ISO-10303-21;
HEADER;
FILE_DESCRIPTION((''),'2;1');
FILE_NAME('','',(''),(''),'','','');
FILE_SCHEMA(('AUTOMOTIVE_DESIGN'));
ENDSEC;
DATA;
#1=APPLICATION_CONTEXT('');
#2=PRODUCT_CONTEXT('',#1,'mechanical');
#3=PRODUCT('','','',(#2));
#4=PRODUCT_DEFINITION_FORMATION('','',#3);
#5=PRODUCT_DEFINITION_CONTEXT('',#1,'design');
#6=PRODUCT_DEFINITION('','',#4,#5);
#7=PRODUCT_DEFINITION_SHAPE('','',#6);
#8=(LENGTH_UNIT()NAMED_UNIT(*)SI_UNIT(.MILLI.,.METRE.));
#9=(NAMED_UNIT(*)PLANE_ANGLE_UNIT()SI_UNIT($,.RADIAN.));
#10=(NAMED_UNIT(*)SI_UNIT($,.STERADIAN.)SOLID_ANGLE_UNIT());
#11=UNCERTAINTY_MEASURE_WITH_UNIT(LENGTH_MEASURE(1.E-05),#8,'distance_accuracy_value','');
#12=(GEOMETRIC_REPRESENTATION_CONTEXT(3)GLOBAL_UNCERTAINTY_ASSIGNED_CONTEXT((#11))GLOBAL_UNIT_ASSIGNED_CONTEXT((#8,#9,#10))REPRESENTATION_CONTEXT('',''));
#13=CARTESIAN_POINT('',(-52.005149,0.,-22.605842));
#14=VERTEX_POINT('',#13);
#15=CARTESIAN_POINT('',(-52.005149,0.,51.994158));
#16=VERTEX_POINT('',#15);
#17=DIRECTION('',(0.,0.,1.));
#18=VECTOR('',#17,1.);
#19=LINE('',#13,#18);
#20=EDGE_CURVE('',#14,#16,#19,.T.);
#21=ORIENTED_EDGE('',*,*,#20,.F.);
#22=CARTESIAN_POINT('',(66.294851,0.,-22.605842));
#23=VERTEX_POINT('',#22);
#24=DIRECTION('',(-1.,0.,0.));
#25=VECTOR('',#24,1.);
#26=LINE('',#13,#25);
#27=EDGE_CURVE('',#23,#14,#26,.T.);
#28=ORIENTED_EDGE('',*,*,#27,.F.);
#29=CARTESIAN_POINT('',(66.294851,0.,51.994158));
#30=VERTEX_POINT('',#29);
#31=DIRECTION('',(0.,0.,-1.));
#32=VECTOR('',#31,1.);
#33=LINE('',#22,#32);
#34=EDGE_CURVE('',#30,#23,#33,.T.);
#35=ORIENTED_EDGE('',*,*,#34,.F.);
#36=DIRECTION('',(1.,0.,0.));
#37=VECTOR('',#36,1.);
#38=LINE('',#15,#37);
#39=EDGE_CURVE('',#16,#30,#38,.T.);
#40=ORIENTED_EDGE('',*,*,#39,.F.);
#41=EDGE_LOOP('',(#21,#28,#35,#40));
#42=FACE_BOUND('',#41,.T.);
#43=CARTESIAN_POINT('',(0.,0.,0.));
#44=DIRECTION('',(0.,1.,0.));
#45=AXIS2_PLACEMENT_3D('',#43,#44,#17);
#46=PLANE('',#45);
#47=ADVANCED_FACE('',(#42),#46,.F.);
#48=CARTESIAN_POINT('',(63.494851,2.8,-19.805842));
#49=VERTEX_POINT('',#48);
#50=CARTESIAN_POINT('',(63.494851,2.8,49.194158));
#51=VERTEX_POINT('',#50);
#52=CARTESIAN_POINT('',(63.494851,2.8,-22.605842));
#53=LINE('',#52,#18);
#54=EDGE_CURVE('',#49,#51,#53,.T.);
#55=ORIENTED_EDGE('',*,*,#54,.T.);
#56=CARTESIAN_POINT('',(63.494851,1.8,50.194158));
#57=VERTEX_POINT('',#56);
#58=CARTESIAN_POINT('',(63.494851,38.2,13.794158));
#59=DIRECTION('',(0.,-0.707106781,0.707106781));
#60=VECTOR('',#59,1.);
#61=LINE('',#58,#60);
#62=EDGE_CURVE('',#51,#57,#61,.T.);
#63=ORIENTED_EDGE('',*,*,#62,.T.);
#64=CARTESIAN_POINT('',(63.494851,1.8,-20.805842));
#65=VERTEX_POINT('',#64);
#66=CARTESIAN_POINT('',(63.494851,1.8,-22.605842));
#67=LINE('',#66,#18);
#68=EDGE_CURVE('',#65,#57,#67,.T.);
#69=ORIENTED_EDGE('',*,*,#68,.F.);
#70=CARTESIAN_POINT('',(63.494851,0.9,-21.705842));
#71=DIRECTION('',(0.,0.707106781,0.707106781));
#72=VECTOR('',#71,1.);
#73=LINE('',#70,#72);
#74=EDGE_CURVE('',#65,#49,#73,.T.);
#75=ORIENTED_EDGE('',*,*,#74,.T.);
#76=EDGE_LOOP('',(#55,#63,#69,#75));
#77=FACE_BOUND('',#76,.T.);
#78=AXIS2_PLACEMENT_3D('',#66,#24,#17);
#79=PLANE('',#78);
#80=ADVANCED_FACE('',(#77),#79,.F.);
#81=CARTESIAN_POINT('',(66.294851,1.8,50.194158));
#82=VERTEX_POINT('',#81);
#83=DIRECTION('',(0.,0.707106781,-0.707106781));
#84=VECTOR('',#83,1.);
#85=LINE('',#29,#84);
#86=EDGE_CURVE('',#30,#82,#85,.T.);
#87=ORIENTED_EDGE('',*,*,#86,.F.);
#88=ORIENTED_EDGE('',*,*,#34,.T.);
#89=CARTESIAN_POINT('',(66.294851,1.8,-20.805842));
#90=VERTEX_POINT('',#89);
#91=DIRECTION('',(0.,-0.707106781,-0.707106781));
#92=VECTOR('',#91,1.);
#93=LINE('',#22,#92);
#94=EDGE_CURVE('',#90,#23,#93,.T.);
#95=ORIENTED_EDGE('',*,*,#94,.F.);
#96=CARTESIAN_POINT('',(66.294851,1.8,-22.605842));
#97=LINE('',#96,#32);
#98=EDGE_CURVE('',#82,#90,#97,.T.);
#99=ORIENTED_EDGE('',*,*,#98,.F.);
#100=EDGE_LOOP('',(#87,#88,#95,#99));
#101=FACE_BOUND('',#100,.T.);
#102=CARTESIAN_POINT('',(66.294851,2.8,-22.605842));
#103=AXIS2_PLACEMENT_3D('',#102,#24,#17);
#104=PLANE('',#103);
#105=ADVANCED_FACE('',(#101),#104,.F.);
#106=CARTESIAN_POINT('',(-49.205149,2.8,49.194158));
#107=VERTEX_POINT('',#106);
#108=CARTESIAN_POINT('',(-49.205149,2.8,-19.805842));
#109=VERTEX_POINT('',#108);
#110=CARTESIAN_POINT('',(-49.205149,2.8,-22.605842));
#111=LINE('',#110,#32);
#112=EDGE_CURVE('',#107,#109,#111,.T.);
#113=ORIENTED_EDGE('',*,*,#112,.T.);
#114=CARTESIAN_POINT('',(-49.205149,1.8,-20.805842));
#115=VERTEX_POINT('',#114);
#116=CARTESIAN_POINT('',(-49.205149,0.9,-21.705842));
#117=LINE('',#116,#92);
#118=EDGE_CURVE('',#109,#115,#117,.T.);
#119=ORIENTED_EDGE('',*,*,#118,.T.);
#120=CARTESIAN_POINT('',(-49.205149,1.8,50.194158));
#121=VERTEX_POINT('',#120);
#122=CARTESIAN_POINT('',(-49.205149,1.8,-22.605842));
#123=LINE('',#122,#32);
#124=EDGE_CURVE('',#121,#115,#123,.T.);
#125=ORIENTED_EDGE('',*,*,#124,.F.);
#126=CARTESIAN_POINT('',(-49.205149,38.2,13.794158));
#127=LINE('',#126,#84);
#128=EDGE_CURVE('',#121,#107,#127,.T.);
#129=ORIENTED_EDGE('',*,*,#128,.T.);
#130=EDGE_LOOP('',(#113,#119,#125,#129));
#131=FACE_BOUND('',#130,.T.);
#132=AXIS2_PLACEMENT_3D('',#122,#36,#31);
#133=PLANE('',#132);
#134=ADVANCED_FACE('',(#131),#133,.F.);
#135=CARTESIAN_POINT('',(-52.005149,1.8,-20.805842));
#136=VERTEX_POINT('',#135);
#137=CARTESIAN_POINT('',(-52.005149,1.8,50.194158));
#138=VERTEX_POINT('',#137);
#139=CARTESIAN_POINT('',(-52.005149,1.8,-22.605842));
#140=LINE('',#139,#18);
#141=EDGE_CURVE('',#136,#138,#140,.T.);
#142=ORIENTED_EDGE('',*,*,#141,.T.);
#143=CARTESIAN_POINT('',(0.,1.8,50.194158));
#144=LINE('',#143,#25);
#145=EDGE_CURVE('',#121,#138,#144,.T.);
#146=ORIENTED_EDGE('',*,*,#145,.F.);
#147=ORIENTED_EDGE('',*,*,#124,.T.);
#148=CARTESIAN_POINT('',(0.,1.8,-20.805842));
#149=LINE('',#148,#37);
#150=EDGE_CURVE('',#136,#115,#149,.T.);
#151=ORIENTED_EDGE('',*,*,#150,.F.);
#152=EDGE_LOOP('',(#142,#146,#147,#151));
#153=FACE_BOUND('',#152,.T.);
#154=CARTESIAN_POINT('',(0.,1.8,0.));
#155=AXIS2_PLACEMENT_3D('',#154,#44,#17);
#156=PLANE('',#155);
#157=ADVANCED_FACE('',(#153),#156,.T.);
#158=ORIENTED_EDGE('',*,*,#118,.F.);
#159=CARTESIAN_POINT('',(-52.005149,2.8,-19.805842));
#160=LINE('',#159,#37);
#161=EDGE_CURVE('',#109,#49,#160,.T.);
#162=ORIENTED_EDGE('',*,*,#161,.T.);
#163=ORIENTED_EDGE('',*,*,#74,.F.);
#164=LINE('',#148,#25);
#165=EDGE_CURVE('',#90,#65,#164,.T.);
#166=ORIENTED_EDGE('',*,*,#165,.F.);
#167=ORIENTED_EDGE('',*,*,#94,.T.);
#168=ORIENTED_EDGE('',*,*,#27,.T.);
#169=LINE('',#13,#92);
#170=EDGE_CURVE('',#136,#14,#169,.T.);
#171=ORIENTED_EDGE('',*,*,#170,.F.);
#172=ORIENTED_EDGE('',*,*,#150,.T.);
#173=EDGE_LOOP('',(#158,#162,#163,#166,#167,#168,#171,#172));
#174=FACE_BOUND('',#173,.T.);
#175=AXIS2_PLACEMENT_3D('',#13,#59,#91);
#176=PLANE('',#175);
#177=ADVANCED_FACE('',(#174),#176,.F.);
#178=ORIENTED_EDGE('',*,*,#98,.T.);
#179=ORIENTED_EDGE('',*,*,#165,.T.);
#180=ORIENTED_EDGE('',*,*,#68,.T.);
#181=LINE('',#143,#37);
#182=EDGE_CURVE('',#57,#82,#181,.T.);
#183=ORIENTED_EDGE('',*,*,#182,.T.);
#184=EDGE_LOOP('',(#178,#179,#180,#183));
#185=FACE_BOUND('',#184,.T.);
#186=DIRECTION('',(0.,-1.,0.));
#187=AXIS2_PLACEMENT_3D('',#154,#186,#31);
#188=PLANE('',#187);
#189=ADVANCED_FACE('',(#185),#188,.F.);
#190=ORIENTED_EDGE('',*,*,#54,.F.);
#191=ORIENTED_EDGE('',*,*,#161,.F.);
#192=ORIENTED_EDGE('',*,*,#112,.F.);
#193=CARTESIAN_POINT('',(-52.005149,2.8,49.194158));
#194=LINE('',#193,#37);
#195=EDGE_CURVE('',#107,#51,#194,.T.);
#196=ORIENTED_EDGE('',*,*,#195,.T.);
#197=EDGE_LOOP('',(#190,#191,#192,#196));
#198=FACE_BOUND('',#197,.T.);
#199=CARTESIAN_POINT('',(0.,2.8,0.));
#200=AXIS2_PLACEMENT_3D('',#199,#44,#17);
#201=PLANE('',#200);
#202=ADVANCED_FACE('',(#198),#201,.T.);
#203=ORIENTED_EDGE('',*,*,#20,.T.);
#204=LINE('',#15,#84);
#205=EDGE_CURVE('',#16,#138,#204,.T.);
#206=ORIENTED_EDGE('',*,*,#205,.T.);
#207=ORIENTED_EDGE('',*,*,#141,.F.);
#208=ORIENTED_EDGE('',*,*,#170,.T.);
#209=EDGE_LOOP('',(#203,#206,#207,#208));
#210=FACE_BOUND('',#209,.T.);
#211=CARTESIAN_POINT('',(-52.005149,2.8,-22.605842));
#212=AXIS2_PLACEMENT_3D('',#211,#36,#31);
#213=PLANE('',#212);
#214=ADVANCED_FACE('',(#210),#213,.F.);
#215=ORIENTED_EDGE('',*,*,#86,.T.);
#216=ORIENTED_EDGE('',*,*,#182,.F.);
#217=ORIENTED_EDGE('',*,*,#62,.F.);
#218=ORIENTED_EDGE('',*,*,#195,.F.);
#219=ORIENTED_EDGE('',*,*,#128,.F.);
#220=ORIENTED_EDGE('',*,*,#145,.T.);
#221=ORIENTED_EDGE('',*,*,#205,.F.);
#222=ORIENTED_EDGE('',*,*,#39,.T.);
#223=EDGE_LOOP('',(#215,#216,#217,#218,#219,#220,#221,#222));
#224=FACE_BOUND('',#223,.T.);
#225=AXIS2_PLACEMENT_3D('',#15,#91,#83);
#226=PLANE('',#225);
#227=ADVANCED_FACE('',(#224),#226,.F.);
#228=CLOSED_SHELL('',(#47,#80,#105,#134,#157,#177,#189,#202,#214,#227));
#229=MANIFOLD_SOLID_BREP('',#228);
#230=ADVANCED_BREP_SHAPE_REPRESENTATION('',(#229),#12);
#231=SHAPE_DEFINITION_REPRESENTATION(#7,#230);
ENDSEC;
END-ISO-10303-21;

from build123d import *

# Parameters (mm, degrees)
SKETCH_1_W          = 118.3
SKETCH_1_H          = 74.6
EXTRUDE_1_DEPTH     = 2.8
SKETCH_2_W          = 2.8
SKETCH_2_H          = 74.6
CUT_EXTRUDE_1_DEPTH = 1
CUT_EXTRUDE_2_DEPTH = 130.252166362


with BuildPart() as part:
    # 草图1 → 凸台-拉伸1 (new body)
    with BuildSketch(Plane(origin=(0, 0, 0), x_dir=(1, 0, 0), z_dir=(0, 1, 0))):
        with Locations((7.144851485, -14.694158416)):
            Rectangle(SKETCH_1_W, SKETCH_1_H)
    extrude(amount=EXTRUDE_1_DEPTH)

    # 草图2 → 切除-拉伸1 (cut)
    with BuildSketch(Plane(origin=(0, 2.8, 0), x_dir=(1, 0, 0), z_dir=(0, 1, 0))):
        with Locations((64.894851485, -14.694158416)):
            Rectangle(SKETCH_2_W, SKETCH_2_H)
        with Locations((-50.605148515, -14.694158416)):
            Rectangle(SKETCH_2_W, SKETCH_2_H)
    extrude(amount=-CUT_EXTRUDE_1_DEPTH, mode=Mode.SUBTRACT)

    # 草图3 → 切除-拉伸2 (cut, through all)
    with BuildSketch(Plane(origin=(66.294851485, 0, 0), x_dir=(0, 0, -1), z_dir=(1, 0, 0))):
        Polygon((-51.994158416, 0), (-49.194158416, 2.8), (-51.994158416, 2.8), align=None)
        Polygon((22.605841584, 0), (19.805841584, 2.8), (22.605841584, 2.8), align=None)
    extrude(amount=-CUT_EXTRUDE_2_DEPTH, mode=Mode.SUBTRACT)


solid = part.part
